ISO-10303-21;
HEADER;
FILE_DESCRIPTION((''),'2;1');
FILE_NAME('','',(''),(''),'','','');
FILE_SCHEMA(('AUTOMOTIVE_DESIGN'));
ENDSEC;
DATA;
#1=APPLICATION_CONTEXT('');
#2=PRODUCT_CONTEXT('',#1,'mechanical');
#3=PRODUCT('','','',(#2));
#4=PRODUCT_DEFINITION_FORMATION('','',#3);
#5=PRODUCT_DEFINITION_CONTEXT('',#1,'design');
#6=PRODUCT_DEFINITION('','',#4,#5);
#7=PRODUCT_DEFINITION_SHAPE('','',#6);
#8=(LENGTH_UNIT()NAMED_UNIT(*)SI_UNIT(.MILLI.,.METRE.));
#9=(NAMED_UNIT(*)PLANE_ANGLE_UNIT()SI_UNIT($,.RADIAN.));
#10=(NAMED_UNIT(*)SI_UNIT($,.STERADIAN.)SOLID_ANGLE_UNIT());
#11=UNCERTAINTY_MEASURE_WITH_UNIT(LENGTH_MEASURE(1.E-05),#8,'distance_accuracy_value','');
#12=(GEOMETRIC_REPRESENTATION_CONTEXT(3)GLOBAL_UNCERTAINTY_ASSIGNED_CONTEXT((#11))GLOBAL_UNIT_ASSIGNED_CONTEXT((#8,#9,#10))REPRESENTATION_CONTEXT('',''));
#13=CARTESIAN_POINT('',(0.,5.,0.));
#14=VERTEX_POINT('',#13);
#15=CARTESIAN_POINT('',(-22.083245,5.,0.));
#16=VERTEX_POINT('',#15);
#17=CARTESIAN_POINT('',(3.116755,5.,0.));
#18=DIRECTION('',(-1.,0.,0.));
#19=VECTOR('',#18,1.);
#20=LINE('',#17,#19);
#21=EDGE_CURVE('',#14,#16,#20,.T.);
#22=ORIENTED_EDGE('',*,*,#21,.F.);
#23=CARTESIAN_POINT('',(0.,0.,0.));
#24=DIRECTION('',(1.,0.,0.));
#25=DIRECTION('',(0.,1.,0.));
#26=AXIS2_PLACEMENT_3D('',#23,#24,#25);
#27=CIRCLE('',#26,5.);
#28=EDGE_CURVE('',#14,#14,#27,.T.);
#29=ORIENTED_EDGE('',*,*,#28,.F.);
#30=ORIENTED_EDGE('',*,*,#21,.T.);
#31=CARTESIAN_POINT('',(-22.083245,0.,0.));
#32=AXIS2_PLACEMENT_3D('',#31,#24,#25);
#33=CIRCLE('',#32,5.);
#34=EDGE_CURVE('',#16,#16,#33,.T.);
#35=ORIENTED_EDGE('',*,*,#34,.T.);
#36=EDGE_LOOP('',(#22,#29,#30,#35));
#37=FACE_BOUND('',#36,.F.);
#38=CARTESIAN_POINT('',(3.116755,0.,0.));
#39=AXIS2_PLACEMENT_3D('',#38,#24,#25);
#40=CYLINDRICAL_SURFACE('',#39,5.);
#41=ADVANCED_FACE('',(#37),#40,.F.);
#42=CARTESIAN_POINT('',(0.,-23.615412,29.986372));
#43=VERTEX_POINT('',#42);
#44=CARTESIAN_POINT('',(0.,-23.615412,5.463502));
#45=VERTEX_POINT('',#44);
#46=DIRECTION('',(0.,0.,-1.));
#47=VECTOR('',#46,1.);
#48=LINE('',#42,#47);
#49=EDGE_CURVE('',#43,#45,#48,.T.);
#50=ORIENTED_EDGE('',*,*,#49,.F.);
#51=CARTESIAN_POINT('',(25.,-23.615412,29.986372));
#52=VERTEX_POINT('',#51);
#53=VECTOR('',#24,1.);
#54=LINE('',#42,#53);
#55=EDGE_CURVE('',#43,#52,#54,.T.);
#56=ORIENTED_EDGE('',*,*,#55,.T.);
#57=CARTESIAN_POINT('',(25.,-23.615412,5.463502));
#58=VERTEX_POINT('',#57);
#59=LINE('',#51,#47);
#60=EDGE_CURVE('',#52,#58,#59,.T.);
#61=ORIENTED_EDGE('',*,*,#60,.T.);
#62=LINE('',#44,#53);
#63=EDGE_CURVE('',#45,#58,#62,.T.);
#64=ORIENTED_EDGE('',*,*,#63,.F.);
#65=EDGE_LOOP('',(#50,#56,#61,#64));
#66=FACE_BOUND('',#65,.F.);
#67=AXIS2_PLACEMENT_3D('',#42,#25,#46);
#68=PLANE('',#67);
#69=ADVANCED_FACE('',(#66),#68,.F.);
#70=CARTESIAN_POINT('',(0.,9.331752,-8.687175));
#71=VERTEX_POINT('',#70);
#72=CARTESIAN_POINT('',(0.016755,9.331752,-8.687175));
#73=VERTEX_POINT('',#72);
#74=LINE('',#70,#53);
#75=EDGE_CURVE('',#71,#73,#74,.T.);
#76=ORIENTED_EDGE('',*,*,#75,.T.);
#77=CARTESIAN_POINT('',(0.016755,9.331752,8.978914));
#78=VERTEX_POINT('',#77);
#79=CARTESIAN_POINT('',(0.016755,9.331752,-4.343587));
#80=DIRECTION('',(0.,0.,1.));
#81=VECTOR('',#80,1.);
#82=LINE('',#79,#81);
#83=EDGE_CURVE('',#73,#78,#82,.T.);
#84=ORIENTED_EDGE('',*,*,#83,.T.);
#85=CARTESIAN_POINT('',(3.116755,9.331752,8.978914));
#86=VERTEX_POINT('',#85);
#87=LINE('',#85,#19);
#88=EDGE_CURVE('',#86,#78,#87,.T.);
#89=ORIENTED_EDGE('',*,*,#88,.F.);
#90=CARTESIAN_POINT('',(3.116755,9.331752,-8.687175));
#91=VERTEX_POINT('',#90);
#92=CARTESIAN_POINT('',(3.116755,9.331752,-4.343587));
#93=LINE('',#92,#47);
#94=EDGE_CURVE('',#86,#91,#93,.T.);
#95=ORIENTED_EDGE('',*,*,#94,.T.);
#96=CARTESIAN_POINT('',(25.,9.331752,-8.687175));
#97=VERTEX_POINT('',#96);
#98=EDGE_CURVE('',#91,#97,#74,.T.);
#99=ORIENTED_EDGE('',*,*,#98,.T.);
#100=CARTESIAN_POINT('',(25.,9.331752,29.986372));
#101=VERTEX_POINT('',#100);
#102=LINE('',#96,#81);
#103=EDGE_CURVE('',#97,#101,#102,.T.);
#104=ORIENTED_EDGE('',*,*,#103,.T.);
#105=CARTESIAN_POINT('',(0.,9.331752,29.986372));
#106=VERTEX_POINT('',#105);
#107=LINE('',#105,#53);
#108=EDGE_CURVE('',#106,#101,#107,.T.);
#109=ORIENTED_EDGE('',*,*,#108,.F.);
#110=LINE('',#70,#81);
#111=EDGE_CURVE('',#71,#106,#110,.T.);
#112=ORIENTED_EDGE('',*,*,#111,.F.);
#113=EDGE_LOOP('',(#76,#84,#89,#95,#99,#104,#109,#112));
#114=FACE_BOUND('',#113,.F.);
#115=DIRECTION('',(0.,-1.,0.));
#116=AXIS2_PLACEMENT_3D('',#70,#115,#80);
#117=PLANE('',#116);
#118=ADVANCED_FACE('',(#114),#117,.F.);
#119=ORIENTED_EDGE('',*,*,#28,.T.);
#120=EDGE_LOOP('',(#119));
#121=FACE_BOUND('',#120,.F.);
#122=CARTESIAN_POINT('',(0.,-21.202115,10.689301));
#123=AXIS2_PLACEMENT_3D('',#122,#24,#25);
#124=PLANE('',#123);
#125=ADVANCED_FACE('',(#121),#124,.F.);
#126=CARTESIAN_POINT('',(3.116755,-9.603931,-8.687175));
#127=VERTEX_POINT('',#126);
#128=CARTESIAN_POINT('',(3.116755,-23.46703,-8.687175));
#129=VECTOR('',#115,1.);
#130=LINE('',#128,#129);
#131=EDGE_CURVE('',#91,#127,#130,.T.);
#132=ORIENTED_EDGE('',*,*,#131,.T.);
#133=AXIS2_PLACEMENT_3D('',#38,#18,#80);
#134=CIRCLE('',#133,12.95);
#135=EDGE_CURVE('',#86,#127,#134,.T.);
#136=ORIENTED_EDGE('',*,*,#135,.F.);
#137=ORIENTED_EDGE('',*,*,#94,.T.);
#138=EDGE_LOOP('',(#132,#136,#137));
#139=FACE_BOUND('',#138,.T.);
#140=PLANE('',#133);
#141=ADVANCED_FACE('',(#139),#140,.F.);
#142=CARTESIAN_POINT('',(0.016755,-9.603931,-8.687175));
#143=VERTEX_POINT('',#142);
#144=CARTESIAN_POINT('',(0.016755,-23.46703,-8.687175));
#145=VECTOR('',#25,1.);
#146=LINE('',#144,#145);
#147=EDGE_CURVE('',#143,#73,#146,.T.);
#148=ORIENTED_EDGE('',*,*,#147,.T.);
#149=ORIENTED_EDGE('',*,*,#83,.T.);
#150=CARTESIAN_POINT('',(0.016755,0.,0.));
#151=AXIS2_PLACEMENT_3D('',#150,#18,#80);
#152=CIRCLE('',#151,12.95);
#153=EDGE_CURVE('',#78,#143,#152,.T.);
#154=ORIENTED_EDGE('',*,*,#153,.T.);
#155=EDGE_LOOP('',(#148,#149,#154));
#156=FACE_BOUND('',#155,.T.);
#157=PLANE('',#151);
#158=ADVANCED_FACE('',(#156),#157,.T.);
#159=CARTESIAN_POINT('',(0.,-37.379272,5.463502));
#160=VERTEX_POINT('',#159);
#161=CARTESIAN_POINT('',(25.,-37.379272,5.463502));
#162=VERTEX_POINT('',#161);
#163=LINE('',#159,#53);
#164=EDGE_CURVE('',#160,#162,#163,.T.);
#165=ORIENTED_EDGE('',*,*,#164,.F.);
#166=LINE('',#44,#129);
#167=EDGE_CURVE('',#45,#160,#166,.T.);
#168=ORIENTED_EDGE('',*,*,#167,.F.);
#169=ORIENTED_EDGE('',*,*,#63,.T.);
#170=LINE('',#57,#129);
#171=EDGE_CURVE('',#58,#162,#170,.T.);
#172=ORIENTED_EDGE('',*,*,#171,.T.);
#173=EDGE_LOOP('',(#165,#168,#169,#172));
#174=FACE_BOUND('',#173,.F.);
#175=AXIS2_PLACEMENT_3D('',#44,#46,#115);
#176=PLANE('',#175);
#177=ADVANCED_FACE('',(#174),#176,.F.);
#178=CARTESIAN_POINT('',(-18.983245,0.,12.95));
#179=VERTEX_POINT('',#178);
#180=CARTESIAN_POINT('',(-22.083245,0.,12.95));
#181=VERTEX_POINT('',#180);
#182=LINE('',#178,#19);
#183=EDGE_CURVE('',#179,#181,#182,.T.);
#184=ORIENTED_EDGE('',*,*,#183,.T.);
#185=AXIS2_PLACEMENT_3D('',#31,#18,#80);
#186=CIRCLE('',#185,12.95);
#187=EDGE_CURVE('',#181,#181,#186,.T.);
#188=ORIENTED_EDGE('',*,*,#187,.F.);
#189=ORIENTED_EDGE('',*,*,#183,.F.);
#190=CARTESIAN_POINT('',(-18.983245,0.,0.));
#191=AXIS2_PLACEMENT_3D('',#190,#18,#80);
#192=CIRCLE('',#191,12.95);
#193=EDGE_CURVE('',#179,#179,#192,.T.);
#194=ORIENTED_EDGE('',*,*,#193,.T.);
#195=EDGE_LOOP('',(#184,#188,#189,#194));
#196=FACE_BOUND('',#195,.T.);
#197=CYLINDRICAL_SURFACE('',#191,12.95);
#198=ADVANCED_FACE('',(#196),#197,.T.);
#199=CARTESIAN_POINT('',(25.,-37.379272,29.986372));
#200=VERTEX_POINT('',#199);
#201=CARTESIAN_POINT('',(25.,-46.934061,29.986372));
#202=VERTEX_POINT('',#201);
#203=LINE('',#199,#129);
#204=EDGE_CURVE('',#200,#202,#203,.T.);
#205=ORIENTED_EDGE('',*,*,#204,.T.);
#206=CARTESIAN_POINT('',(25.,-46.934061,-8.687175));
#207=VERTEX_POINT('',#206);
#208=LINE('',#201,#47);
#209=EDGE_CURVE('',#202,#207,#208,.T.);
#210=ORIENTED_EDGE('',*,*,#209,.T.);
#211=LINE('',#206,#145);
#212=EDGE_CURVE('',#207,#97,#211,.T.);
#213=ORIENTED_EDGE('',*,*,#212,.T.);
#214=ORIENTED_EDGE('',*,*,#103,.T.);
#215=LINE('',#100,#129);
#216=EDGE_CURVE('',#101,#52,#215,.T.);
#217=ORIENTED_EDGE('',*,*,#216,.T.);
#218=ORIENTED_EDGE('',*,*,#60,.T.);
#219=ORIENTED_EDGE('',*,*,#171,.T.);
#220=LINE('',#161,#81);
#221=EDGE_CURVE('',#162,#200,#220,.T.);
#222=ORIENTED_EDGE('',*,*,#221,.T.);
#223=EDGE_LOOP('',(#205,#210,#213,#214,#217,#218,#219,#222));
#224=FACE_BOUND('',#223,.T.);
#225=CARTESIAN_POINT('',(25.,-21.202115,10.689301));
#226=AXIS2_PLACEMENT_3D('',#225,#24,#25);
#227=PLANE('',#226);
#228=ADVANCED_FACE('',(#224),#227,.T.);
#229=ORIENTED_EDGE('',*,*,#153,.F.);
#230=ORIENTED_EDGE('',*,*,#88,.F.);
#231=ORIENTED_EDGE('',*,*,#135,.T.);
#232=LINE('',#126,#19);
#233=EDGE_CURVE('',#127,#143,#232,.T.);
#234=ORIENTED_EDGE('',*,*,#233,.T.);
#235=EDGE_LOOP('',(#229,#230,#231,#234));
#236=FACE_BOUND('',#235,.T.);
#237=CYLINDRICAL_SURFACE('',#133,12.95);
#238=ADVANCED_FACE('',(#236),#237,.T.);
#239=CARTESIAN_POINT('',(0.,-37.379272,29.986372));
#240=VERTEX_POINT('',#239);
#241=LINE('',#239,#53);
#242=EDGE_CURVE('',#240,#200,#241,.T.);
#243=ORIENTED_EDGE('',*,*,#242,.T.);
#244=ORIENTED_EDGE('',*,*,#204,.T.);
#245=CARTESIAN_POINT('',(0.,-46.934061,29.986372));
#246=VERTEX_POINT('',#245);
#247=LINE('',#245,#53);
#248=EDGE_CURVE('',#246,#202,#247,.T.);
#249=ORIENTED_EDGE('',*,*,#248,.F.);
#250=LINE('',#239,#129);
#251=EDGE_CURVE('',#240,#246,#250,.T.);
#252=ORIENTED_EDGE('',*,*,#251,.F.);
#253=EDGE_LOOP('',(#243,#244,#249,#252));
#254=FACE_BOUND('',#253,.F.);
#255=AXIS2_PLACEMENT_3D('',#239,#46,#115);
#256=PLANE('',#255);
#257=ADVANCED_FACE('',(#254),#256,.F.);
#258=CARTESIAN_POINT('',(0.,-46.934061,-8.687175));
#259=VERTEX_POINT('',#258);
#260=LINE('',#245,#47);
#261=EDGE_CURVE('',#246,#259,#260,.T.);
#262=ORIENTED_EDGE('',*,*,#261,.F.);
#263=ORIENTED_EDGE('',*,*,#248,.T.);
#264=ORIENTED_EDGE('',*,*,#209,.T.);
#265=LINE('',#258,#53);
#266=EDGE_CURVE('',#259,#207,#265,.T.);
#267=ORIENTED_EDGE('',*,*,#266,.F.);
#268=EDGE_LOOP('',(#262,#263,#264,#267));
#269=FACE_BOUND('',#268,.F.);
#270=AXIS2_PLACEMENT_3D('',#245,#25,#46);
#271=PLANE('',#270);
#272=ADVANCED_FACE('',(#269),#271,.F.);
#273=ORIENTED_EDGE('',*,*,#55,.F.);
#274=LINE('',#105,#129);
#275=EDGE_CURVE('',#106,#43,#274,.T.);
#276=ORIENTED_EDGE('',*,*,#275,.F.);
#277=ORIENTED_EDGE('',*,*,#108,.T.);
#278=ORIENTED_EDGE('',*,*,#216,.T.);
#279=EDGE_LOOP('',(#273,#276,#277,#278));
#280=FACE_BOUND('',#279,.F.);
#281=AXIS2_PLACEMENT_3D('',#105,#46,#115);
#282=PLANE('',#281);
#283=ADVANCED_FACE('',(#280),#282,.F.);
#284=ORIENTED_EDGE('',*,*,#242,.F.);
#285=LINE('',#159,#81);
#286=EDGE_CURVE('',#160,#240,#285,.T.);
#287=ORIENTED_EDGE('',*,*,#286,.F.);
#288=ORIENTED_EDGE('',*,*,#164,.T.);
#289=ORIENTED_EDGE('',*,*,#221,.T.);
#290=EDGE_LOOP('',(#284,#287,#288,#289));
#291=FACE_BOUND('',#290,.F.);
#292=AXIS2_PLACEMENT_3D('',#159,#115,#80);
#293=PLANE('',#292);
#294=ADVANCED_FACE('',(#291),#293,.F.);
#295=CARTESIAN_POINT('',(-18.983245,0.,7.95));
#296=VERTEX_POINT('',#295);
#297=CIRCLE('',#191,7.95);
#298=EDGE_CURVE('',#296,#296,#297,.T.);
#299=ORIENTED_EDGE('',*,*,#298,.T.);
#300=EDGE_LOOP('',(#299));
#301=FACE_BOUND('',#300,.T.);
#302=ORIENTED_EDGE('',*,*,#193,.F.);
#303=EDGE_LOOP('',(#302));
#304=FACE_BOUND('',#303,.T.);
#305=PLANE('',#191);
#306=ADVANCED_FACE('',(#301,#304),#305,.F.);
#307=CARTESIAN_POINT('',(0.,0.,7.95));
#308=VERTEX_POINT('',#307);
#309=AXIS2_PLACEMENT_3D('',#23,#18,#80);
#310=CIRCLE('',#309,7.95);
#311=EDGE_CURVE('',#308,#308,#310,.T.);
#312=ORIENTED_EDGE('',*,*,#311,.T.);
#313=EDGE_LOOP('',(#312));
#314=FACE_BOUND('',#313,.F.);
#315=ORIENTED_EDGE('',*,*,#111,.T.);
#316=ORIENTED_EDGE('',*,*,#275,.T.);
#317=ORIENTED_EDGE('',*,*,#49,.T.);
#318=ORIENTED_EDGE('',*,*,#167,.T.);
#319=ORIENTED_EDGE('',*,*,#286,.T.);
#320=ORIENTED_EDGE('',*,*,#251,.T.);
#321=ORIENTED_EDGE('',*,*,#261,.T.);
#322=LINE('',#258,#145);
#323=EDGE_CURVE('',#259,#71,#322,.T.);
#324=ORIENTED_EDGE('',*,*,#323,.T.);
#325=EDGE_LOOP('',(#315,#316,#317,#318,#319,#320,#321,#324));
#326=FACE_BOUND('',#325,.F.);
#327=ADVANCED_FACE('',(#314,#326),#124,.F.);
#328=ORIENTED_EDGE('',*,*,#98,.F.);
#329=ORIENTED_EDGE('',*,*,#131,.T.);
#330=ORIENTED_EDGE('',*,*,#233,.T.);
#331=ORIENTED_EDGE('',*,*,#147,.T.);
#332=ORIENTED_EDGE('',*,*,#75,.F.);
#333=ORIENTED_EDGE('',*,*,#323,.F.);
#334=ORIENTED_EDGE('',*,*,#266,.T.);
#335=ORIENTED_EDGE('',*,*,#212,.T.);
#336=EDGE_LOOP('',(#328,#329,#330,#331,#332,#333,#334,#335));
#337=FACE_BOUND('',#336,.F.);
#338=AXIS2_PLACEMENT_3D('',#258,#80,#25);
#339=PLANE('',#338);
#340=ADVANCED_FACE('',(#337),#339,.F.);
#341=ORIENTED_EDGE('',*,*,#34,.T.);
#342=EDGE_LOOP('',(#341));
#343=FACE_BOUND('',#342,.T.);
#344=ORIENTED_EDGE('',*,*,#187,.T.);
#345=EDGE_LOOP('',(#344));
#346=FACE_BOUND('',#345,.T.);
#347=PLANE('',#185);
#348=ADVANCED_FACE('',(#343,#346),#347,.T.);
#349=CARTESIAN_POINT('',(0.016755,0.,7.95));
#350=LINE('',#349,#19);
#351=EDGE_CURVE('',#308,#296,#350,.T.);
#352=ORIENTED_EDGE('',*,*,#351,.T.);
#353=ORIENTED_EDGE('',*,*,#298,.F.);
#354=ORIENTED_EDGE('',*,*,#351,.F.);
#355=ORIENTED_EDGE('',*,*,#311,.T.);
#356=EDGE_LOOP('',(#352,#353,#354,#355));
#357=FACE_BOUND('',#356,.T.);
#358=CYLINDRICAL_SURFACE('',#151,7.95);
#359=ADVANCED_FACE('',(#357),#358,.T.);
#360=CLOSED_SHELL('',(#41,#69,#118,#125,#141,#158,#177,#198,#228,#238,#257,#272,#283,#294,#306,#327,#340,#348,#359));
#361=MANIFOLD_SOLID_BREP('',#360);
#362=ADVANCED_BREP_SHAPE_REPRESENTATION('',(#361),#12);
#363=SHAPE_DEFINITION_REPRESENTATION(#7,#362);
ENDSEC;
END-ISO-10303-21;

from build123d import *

# Parameters (mm, degrees)
F2_R     = 5
F3_DEPTH = 30
F5_DEPTH = 25


with BuildPart() as f1:
    # F0 (on Front) → F1 (revolve)
    with BuildSketch(Plane.XZ):
        Polygon((-22.083245, 12.95), (-22.083245, 0), (3.116755, 0), (3.116755, 12.95), (0.016755, 12.95), (0.016755, 7.95), (-18.983245, 7.95), (-18.983245, 12.95), align=None)
    revolve(axis=Axis((-7.986653, 0, 0), (-1, 0, 0)))

    # F2 (on face) → F3 (cut)
    with BuildSketch(Plane.YZ.offset(3.116755)):
        Circle(F2_R)
    extrude(amount=-F3_DEPTH, mode=Mode.SUBTRACT)

    # F4 (on Right) → F5 (join)
    with BuildSketch(Plane.YZ):
        Polygon((-37.379272, 29.986372), (-46.934061, 29.986372), (-46.934061, -8.687175), (9.331752, -8.687175), (9.331752, 29.986372), (-23.615412, 29.986372), (-23.615412, 5.463502), (-37.379272, 5.463502), align=None)
    extrude(amount=F5_DEPTH)


solid = f1.part
